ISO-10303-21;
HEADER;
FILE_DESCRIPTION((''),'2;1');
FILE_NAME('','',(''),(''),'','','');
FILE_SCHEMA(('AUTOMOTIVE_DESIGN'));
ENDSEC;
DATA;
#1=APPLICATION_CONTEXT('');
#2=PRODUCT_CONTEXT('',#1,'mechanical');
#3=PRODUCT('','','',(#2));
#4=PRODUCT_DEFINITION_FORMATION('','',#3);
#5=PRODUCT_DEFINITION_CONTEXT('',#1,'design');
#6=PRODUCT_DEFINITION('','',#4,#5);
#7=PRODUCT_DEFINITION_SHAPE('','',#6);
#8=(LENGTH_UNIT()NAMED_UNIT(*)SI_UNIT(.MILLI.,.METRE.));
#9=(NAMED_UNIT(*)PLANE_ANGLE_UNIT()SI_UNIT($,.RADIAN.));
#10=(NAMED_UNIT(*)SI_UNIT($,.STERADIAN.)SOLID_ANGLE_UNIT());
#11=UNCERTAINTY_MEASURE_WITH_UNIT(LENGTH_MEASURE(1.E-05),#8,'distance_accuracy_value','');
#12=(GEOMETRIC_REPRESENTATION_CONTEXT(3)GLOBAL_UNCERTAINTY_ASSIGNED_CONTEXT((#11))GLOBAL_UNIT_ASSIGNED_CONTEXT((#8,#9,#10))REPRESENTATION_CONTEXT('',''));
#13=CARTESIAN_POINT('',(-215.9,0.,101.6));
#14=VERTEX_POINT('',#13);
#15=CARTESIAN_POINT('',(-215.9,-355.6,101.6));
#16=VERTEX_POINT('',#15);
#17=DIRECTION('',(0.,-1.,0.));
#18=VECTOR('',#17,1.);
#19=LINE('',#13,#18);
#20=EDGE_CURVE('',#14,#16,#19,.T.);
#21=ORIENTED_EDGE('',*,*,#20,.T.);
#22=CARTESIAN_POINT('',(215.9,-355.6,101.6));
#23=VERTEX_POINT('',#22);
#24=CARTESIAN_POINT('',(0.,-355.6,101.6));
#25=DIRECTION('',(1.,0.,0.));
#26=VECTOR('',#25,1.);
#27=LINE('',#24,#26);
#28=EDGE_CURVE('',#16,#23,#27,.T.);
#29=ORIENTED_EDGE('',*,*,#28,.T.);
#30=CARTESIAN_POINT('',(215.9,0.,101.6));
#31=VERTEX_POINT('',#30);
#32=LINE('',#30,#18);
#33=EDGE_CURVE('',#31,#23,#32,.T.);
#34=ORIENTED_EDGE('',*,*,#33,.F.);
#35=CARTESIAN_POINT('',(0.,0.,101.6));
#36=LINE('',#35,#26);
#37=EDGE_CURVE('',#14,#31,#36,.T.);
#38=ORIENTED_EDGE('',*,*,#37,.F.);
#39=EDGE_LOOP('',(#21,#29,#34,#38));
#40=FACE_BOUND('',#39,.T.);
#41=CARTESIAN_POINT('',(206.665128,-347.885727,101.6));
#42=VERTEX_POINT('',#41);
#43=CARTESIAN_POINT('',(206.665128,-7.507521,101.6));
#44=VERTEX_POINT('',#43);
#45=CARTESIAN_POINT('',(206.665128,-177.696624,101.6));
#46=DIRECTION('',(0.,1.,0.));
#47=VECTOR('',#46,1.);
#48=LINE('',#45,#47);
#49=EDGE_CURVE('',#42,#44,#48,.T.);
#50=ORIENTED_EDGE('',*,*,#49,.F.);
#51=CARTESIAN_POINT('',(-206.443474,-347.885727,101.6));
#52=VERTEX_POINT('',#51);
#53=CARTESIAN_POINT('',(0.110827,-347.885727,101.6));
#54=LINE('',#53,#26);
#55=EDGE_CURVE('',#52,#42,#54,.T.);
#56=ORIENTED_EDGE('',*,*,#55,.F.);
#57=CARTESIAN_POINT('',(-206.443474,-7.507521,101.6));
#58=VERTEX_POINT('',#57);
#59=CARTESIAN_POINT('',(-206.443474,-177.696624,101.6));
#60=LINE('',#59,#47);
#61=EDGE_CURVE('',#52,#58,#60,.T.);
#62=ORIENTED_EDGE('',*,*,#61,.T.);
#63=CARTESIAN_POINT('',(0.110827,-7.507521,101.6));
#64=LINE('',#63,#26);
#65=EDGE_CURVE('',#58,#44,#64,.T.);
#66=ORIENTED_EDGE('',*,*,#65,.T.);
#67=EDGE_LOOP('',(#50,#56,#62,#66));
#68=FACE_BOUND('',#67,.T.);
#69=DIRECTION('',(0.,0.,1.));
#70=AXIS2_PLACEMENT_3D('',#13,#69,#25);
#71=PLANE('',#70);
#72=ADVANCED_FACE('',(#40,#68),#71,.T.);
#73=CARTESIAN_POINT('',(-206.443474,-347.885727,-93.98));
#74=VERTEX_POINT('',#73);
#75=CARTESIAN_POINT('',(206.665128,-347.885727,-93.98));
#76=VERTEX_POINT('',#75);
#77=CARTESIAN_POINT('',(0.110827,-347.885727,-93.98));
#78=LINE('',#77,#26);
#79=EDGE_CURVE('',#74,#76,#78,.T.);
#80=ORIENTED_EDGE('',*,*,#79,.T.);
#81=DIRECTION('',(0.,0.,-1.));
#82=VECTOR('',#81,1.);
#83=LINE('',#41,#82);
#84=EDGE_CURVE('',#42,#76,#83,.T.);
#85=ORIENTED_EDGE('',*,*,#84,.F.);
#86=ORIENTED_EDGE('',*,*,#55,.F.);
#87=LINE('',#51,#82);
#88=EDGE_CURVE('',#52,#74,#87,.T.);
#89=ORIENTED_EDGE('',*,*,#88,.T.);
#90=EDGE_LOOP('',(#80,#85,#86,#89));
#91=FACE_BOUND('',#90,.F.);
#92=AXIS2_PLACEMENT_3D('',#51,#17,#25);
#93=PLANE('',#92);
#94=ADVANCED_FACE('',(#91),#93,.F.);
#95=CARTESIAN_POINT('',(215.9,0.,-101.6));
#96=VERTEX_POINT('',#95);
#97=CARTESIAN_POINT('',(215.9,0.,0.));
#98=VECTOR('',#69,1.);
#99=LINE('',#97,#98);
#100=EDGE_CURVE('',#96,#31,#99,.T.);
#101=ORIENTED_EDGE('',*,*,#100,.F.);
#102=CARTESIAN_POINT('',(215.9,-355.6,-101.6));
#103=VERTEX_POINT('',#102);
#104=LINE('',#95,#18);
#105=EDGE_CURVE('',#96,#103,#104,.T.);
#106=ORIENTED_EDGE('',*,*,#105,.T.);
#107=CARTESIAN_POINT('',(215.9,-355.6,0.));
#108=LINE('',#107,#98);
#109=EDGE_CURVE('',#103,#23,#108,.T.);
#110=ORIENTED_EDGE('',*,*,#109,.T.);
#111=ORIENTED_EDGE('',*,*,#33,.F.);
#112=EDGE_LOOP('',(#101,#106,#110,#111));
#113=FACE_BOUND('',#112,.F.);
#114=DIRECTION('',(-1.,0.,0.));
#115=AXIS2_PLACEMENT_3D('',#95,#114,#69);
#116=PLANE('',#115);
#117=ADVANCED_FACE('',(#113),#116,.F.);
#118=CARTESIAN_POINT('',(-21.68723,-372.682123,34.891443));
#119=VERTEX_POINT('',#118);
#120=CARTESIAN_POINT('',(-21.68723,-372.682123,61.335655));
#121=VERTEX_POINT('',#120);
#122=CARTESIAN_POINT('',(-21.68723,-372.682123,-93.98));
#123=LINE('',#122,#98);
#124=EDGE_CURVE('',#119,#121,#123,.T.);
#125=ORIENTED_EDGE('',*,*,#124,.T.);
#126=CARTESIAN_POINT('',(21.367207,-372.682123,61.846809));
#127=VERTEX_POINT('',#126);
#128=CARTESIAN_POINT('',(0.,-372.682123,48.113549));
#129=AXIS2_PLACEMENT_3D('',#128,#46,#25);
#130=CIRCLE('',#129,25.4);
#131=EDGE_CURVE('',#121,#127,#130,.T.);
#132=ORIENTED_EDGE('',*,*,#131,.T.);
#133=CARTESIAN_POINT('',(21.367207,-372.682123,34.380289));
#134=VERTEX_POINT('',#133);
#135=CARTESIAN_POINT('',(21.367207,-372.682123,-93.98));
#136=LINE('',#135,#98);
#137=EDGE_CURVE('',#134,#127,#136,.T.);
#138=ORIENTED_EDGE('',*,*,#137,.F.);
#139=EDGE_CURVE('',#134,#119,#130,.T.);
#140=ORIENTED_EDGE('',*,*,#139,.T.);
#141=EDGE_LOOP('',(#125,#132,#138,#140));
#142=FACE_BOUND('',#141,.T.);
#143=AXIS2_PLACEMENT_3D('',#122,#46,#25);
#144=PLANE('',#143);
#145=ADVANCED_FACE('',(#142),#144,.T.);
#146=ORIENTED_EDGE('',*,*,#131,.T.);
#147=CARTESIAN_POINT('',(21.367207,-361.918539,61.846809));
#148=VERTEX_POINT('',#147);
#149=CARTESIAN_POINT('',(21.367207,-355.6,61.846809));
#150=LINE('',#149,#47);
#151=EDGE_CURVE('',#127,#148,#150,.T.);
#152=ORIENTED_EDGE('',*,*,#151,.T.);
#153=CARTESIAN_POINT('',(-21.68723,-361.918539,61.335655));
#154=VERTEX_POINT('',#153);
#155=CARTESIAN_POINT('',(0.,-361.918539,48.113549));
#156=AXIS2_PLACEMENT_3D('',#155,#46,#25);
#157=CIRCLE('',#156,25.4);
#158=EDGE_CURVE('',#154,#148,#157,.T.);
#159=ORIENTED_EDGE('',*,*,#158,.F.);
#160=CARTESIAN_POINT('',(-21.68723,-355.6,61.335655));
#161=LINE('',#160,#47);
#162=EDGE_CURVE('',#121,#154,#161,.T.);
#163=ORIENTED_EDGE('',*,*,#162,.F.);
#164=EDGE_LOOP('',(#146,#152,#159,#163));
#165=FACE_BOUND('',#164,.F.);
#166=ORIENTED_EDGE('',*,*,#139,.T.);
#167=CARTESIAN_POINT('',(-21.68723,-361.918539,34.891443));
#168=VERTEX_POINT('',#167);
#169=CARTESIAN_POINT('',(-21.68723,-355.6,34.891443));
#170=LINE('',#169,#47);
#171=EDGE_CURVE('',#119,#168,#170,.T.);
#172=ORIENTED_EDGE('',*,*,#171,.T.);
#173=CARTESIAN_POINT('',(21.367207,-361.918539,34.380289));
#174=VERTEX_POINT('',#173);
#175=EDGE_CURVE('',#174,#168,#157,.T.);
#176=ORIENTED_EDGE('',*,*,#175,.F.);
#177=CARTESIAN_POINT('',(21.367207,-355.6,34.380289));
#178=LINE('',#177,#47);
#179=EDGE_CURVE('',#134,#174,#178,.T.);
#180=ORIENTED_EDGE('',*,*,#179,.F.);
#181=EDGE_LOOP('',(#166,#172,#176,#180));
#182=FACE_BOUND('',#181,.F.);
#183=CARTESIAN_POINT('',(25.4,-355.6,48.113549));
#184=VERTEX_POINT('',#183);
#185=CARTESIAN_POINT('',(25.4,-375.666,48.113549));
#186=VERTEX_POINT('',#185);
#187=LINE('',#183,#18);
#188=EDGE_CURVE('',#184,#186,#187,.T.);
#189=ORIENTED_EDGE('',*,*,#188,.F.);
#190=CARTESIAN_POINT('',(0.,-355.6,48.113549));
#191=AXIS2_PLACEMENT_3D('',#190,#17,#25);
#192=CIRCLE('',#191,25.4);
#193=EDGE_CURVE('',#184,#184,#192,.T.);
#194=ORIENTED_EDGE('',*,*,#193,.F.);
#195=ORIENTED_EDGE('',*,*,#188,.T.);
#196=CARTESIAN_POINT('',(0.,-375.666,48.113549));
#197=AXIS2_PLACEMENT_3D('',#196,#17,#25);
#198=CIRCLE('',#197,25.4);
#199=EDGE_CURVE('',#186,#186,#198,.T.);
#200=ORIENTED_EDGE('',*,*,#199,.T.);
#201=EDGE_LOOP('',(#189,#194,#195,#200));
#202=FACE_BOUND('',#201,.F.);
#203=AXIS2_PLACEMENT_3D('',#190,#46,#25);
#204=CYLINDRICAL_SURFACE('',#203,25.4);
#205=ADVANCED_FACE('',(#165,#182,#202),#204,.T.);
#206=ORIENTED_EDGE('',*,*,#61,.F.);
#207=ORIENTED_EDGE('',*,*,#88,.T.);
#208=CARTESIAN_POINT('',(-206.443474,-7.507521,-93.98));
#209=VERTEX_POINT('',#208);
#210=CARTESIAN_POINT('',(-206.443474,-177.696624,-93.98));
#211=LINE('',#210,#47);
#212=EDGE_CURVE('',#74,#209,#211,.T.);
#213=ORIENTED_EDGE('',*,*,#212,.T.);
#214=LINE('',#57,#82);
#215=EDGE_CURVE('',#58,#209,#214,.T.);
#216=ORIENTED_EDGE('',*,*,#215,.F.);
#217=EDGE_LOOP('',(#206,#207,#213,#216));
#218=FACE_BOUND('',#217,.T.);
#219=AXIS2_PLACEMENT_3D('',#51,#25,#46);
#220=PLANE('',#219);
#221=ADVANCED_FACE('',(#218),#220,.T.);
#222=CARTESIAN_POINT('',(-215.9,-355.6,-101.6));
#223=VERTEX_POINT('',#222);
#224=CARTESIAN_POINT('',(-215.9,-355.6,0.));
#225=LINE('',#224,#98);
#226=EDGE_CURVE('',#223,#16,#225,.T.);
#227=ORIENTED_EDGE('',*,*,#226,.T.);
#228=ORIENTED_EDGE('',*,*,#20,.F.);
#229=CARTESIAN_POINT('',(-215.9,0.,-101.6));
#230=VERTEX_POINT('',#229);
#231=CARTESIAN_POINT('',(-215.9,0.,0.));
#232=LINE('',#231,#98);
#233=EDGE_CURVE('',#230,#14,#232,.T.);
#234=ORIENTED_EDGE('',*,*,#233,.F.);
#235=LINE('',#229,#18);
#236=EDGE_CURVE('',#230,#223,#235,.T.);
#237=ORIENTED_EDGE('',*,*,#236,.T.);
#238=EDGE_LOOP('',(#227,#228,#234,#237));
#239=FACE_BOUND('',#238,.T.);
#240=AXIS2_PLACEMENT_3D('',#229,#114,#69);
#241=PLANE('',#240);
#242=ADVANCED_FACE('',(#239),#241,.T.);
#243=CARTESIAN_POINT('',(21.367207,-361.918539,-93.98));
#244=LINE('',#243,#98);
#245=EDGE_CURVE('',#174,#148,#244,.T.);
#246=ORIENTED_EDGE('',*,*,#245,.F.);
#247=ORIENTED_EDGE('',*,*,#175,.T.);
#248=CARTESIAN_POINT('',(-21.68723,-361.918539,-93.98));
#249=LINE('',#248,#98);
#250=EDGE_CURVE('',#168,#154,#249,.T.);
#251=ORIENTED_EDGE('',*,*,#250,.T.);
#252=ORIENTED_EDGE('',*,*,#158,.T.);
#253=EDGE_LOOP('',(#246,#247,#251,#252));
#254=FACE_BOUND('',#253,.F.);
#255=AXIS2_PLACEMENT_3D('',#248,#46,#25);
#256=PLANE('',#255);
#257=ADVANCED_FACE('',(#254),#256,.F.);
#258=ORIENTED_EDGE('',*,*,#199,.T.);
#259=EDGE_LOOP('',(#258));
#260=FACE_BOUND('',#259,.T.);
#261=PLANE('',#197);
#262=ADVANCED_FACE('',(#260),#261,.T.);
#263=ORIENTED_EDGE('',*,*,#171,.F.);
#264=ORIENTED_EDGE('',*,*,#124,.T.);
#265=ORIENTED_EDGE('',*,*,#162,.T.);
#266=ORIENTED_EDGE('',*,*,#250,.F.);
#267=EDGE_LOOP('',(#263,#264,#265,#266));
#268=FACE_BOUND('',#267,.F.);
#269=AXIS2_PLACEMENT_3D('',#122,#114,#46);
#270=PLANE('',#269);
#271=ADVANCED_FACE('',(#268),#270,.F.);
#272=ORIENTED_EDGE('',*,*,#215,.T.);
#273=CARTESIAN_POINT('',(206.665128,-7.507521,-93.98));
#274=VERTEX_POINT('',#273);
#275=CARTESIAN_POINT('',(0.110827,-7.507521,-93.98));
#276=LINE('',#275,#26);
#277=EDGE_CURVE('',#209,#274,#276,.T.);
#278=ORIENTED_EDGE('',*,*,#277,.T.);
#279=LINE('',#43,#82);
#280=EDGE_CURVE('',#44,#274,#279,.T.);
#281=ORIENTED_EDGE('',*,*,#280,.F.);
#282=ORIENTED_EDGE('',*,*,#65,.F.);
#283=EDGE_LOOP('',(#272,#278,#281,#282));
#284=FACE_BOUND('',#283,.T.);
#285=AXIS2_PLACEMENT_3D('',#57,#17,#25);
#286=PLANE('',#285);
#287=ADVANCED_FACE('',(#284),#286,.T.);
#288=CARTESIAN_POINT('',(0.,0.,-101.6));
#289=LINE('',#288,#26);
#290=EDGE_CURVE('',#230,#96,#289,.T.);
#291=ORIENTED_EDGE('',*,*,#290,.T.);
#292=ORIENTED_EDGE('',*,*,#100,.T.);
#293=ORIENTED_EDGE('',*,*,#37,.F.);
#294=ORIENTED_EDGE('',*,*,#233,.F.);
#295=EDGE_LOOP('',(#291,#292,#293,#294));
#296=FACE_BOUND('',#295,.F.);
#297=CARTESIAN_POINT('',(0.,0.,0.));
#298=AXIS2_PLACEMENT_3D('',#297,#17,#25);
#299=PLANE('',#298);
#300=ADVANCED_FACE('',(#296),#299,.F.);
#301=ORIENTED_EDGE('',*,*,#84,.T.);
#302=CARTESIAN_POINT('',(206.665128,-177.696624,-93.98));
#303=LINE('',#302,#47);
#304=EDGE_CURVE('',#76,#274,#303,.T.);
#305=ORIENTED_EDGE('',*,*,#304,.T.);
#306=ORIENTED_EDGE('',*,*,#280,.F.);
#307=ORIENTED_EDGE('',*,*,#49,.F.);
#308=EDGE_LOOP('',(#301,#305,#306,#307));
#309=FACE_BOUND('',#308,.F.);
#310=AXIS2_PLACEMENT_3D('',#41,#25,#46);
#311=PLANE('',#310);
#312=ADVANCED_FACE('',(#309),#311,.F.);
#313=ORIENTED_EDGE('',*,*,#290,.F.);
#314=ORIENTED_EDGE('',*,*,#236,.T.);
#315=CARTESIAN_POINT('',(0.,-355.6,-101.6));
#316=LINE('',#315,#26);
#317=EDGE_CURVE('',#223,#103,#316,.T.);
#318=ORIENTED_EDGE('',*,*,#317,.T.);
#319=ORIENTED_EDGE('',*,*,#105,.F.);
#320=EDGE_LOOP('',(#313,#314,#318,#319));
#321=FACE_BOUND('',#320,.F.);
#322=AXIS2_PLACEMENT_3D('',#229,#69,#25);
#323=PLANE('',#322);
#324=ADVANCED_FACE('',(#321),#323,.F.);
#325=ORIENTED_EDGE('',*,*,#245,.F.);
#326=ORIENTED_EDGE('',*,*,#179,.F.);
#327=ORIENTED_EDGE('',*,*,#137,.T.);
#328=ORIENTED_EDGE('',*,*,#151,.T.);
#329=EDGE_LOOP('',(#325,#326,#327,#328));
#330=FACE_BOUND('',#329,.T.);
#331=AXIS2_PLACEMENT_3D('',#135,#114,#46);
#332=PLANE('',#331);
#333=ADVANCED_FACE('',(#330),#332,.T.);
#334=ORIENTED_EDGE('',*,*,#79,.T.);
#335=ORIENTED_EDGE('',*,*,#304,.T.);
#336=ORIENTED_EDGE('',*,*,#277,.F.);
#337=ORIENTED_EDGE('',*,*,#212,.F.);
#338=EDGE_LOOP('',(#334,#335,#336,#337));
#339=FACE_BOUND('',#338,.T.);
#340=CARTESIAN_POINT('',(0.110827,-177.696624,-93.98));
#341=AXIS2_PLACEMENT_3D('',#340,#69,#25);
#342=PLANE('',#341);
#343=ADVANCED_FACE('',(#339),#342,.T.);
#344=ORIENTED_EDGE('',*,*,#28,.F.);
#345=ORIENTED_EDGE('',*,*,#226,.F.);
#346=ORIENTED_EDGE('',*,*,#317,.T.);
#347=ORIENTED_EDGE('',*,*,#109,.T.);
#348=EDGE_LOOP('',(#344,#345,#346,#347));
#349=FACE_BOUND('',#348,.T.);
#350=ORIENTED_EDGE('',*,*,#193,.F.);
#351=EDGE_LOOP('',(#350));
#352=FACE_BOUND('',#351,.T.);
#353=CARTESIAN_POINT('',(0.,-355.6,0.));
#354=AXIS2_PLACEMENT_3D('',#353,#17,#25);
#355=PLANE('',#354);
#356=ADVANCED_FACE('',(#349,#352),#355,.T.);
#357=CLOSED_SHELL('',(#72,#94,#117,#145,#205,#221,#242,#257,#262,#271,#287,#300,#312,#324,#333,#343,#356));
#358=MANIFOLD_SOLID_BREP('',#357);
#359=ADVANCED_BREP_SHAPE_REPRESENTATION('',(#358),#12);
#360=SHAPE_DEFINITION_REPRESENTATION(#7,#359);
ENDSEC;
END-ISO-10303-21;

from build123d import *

# Parameters (mm, degrees)
F0_W     = 431.8
F0_H     = 203.2
F1_DEPTH = 355.6
F2_W     = 413.108602
F2_H     = 340.378207
F3_DEPTH = 195.58
F4_R     = 25.4
F5_DEPTH = 20.066
F6_W     = 43.054437
F6_H     = 10.763585
F7_DEPTH = 195.581


with BuildPart() as f1:
    # F0 (on Front) → F1 (new body)
    with BuildSketch(Plane.XZ):
        Rectangle(F0_W, F0_H)
    extrude(amount=F1_DEPTH)

    # F2 (on face) → F3 (cut)
    with BuildSketch(Plane.XY.offset(101.6)):
        with Locations((0.110827, -177.696624)):
            Rectangle(F2_W, F2_H)
    extrude(amount=-F3_DEPTH, mode=Mode.SUBTRACT)

    # F4 (on face) → F5 (join)
    with BuildSketch(Plane.XZ.offset(355.6)):
        with Locations((0, 48.113549)):
            Circle(F4_R)
    extrude(amount=F5_DEPTH)

    # F6 (on face) → F7 (cut, through all)
    with BuildSketch(Plane.XY.offset(-93.98)):
        with Locations((-0.160011, -367.300331)):
            Rectangle(F6_W, F6_H)
    extrude(amount=F7_DEPTH, mode=Mode.SUBTRACT)


solid = f1.part
